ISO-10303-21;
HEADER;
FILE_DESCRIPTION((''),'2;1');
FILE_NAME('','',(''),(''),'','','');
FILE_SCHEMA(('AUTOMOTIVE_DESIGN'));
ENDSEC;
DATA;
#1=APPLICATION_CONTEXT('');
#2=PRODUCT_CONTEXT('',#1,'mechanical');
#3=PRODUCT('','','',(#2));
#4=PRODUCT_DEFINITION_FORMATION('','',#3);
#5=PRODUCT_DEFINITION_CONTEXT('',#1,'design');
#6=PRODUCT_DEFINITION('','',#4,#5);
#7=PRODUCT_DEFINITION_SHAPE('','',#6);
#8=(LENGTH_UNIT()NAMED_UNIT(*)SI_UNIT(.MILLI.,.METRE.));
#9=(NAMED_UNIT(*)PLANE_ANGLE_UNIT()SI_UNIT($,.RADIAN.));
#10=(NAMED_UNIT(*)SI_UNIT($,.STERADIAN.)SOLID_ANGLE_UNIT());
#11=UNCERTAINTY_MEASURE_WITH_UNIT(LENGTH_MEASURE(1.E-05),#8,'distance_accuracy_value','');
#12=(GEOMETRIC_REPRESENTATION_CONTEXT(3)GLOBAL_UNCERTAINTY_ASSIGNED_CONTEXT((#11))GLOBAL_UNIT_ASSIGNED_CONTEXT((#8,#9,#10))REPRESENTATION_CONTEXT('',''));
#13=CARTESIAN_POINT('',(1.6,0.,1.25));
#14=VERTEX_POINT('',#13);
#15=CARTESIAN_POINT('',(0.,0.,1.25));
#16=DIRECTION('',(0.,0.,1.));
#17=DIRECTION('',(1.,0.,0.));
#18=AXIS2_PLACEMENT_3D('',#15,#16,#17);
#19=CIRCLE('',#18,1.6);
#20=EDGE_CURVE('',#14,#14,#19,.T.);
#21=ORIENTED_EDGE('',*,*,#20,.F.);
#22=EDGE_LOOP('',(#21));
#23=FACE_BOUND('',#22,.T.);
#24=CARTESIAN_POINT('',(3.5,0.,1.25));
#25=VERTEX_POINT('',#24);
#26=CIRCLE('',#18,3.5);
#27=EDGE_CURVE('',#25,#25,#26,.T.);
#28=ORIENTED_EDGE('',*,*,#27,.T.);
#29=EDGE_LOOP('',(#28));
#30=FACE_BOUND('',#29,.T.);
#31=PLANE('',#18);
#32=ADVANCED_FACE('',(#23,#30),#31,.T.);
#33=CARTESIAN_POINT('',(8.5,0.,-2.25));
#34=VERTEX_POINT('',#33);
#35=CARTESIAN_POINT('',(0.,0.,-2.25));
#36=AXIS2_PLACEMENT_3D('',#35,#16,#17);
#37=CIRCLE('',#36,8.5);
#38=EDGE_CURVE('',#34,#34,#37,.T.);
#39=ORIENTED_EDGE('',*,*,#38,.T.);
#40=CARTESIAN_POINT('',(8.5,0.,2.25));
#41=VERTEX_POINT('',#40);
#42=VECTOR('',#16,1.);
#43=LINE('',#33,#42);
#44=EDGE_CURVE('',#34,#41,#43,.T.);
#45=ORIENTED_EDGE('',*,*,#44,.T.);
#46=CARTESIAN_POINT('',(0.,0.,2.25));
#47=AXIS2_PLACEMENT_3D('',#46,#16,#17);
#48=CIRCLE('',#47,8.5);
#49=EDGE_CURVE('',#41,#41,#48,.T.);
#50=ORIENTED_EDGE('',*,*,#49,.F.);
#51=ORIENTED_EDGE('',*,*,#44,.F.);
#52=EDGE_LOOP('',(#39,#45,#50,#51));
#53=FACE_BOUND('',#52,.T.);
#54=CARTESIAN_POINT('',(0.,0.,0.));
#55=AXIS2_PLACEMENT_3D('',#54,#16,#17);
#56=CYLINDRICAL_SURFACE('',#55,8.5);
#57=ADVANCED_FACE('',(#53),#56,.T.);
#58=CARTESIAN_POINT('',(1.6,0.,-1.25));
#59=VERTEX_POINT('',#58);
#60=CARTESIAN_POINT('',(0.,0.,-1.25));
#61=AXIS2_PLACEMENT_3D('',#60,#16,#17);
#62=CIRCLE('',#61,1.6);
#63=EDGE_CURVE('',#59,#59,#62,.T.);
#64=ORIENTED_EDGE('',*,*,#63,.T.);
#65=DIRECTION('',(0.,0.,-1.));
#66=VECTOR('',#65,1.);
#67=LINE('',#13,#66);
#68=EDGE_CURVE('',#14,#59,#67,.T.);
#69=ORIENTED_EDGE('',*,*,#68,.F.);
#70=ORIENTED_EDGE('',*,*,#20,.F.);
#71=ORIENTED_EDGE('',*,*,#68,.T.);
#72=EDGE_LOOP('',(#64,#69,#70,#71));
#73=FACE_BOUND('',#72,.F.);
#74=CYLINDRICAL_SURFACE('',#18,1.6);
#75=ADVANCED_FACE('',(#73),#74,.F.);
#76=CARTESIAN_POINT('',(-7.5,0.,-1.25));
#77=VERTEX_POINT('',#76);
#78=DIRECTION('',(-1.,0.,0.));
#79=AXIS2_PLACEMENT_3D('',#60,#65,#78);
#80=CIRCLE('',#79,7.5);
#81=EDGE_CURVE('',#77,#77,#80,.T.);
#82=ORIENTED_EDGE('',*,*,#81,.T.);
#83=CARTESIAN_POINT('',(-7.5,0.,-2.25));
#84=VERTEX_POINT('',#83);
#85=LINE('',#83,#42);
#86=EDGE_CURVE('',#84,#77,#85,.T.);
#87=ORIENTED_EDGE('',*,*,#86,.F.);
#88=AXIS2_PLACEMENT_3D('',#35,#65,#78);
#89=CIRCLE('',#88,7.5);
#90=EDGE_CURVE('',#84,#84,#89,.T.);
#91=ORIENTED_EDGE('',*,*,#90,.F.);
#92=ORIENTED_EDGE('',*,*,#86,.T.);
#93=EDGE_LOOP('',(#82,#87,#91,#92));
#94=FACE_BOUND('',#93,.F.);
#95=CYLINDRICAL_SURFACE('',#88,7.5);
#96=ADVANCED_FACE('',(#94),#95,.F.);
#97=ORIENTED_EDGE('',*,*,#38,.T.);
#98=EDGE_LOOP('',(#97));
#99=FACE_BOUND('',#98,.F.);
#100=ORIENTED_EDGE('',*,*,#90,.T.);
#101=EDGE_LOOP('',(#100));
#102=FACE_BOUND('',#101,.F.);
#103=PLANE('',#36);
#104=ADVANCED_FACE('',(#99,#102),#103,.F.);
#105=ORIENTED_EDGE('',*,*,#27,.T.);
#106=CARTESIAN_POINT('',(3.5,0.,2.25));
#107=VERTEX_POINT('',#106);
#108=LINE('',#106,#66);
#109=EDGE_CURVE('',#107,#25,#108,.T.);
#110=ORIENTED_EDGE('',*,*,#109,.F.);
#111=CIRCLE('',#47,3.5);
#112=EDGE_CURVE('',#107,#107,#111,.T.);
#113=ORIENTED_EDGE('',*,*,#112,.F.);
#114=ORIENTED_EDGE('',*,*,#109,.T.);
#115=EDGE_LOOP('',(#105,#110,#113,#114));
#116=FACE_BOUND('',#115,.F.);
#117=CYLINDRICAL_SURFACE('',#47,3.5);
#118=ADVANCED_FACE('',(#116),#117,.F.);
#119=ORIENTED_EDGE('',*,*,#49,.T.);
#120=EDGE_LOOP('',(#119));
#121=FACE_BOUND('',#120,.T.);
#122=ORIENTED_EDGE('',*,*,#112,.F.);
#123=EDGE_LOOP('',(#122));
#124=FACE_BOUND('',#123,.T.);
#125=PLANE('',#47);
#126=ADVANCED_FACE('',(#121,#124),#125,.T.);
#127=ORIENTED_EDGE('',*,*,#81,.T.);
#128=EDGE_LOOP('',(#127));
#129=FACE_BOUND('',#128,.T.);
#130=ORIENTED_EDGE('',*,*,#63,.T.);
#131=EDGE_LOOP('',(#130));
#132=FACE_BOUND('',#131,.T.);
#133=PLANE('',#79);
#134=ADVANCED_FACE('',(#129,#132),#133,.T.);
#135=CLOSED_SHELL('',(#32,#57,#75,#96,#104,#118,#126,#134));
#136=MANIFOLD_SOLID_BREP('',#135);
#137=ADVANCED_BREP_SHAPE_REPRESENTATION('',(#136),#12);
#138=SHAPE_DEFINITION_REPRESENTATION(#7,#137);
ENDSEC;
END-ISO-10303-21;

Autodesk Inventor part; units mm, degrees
ref_plane "YZ Plane" through (0, 0, 0) normal (1, 0, 0) x (0, 1, 0)
ref_plane "XZ Plane" through (0, 0, 0) normal (0, 1, 0) x (-1, 0, 0)
ref_plane "XY Plane" through (0, 0, 0) normal (0, 0, 1) x (1, 0, 0)
sketch "Skizze1" plane through (0, 0, 0) normal (0, 0, 1) x (1, 0, 0)
  circle A0 centre (0, 0) radius 8.5
  dimension "d0" = 17
extrude "Extrusion1" add sketch "Skizze1" against normal mid plane 4.5
sketch "Skizze2" plane through (0, 0, -2.25) normal (0, 0, -1) x (-1, 0, 0)
  circle A0 centre (0, 0) radius 7.5
  dimension "d3" = 15
extrude "Extrusion2" cut sketch "Skizze2" against normal blind 1
sketch "Skizze3" plane through (0, 0, 2.25) normal (0, 0, 1) x (1, 0, 0)
  circle A0 centre (0, 0) radius 3.5
  dimension "d6" = 7
extrude "Extrusion3" cut sketch "Skizze3" against normal blind 1
sketch "Skizze4" plane through (0, 0, 1.25) normal (0, 0, 1) x (1, 0, 0)
  circle A0 centre (0, 0) radius 1.6
  dimension "d9" = 3.2
extrude "Extrusion4" cut sketch "Skizze4" against normal up to surface (2.5 mm away)
properties part number "_3D-Druck"
